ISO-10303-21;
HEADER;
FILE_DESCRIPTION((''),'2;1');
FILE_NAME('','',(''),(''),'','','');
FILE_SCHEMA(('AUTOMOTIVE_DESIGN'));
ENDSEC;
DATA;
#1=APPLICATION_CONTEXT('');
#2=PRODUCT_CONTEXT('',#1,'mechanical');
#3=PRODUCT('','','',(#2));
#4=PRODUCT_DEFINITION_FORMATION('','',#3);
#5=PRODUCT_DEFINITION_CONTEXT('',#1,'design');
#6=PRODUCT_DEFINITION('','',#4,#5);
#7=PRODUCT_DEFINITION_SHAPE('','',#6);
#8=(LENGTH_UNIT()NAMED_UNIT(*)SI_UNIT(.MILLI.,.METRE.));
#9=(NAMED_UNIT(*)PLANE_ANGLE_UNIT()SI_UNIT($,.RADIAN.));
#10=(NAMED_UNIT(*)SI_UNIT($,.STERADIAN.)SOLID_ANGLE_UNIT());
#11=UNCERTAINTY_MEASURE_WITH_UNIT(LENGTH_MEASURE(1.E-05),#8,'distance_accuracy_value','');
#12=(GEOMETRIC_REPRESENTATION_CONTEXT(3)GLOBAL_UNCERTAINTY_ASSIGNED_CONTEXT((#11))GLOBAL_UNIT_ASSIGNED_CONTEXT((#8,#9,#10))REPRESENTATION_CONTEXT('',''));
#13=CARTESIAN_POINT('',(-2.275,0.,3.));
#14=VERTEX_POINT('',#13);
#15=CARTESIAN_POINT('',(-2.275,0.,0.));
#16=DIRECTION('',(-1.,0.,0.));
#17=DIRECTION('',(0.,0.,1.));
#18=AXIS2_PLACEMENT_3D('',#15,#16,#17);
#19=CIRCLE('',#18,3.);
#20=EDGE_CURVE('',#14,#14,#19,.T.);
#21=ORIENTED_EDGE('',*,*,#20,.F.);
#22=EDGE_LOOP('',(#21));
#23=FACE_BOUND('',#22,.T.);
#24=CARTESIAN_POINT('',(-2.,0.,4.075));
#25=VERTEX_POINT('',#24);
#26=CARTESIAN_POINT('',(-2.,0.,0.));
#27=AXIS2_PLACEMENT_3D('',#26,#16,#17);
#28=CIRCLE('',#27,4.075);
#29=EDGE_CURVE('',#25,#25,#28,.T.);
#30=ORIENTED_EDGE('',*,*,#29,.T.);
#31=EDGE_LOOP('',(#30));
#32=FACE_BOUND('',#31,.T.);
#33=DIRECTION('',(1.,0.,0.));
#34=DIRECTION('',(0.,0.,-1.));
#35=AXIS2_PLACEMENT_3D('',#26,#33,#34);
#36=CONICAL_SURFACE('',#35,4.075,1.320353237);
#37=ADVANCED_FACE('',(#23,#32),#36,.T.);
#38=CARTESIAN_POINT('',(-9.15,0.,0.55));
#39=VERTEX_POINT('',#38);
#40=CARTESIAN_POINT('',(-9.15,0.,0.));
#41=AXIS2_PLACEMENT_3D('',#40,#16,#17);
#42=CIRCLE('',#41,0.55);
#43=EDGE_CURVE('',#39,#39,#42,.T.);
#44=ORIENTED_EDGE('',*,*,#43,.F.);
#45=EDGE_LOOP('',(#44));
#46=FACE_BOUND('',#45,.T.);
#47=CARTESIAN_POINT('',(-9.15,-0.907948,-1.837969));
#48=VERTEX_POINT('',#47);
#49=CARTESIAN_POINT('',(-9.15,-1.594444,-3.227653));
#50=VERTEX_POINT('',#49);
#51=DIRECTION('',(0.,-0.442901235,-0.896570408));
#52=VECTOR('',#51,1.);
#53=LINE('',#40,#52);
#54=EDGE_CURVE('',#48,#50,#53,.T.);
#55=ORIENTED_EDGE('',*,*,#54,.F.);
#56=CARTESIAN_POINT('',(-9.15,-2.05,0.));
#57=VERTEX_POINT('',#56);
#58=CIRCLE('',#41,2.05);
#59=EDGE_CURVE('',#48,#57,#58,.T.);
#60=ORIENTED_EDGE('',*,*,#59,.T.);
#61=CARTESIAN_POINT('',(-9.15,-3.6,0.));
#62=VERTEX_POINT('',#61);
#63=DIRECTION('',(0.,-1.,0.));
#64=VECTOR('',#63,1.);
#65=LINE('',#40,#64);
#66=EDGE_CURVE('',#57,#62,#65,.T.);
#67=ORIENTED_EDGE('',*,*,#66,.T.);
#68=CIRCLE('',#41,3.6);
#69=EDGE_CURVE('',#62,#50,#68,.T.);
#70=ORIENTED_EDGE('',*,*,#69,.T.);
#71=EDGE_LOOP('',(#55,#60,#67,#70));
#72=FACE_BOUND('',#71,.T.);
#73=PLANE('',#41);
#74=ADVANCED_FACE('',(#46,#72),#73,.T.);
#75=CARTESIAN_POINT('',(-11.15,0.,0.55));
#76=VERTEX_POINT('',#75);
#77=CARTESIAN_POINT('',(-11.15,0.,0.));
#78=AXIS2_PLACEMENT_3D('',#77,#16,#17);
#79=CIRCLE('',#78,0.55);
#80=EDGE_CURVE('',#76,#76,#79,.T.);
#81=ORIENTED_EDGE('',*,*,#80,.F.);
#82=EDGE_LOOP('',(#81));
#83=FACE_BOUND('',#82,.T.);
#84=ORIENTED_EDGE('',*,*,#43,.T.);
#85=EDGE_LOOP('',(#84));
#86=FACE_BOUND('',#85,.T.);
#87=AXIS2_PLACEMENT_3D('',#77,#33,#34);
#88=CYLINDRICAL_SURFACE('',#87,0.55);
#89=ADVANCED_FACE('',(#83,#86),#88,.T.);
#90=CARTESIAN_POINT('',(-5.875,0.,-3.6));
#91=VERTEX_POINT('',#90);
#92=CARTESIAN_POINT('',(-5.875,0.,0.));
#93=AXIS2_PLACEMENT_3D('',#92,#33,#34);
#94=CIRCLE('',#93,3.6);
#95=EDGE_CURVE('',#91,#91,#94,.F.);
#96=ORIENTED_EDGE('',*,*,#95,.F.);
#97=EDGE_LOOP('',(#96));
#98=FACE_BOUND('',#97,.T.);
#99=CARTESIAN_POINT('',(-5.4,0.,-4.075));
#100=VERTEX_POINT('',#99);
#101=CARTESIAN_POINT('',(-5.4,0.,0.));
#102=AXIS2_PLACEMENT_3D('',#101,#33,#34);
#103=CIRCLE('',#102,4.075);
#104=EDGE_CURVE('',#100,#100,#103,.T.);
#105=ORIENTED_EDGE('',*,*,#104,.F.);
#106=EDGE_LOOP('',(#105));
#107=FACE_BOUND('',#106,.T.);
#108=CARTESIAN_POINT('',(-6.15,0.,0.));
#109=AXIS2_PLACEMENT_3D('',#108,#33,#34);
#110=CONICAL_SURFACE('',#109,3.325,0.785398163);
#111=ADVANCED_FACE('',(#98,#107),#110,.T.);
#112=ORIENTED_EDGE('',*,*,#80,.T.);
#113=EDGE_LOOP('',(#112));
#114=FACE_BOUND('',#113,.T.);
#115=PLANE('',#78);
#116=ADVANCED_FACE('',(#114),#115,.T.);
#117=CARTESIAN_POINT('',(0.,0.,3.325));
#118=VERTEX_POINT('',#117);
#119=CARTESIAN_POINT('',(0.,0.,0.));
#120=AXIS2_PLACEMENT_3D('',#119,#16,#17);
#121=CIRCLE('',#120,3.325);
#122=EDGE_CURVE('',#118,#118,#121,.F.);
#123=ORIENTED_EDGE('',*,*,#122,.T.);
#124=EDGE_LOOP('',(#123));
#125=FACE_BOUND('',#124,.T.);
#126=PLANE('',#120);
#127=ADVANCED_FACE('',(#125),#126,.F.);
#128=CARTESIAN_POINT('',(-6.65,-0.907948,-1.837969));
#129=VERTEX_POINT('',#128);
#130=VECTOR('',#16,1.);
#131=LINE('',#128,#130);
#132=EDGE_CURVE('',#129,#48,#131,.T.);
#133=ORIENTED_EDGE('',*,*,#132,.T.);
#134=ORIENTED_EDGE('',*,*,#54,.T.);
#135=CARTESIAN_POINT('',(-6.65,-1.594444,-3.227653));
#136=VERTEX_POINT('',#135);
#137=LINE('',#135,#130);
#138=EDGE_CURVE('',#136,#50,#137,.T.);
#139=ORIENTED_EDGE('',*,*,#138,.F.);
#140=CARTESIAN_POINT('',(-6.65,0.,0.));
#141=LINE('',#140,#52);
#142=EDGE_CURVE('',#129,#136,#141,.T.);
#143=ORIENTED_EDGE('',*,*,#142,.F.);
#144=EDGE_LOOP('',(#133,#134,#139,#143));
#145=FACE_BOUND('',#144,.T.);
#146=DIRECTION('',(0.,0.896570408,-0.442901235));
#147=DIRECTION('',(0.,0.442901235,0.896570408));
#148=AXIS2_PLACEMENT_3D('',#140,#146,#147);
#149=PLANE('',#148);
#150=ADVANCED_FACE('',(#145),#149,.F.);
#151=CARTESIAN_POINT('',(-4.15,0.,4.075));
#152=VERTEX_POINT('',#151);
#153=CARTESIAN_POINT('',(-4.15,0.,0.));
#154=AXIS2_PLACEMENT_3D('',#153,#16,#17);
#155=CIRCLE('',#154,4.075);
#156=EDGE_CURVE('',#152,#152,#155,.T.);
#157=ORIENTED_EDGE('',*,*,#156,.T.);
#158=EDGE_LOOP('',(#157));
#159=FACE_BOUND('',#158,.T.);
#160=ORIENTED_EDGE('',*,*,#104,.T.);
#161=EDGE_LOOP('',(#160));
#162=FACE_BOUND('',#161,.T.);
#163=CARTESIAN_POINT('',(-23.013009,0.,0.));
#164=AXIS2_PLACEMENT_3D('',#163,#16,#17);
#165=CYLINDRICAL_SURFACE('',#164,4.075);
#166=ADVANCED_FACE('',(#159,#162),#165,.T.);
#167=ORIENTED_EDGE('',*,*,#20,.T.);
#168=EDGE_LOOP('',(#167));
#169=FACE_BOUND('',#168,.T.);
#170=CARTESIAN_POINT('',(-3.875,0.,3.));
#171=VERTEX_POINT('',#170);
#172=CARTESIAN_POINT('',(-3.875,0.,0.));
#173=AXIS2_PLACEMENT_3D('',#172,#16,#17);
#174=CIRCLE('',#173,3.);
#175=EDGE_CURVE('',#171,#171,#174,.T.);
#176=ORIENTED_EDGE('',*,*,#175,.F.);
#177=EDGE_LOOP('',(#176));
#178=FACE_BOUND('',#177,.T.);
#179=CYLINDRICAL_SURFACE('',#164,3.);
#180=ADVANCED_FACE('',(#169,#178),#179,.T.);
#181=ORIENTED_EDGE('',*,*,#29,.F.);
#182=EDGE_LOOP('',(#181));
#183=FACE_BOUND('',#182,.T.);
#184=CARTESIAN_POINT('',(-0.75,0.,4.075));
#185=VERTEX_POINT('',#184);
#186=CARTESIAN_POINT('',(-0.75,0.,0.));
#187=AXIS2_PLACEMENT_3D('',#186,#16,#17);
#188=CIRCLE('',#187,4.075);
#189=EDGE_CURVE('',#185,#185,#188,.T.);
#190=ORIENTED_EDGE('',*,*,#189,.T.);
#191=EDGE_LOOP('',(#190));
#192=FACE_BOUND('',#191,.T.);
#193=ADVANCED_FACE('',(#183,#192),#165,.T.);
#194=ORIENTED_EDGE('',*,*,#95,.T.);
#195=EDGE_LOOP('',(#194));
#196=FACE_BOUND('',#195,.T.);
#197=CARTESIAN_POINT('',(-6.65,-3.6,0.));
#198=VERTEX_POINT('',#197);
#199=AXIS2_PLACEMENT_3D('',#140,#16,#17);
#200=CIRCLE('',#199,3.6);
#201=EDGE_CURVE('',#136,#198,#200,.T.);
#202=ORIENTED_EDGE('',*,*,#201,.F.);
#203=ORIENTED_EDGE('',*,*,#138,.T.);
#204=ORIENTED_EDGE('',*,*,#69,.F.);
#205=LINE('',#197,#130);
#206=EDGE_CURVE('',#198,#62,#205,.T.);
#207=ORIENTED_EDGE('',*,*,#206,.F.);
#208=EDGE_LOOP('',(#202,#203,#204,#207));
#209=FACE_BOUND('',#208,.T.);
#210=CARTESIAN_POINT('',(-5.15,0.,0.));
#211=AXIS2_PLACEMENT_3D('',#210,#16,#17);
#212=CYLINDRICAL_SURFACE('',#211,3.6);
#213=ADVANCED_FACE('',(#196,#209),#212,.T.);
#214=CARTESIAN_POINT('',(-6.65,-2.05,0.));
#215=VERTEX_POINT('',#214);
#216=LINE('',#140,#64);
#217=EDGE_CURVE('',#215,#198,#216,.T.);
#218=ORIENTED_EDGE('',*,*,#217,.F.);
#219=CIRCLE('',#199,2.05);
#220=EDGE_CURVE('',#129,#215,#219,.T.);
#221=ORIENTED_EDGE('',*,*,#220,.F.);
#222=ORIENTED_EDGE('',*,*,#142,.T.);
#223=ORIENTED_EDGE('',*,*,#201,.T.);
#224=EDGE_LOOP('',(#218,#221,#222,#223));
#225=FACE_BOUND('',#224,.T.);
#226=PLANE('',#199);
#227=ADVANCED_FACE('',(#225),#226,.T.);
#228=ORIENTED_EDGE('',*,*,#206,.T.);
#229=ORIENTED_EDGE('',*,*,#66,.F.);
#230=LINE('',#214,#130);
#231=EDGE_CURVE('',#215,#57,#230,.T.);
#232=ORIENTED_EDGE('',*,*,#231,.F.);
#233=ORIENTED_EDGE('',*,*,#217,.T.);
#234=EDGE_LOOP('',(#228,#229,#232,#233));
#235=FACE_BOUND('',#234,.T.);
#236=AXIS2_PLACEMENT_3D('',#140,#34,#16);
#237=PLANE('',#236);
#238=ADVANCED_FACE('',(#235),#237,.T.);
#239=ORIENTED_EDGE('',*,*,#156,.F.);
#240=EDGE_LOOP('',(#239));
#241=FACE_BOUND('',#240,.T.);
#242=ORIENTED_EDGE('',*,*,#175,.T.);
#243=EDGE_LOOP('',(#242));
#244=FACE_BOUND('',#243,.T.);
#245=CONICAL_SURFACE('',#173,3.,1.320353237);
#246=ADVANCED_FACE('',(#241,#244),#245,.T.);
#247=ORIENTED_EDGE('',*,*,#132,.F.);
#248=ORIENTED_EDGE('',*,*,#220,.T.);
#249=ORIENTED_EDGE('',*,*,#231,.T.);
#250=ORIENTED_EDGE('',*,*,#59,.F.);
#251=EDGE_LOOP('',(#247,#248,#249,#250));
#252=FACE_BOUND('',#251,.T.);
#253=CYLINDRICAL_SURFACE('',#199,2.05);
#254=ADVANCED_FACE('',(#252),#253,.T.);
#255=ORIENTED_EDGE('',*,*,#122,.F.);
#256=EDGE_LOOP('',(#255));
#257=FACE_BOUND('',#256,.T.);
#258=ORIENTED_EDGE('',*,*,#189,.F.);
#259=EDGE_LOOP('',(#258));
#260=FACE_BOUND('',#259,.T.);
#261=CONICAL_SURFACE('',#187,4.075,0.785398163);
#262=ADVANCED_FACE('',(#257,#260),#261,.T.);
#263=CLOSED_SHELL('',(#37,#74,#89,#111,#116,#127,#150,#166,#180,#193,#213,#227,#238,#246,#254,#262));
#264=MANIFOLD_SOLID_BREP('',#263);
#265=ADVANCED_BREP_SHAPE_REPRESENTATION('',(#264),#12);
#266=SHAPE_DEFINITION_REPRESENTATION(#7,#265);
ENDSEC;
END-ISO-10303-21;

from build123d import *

# Parameters (mm, degrees)
CHAMFER1_SIZE            = 0.75
BOSS_EXTRUDE1_DEPTH      = 3
BOSS_EXTRUDE1_DEPTH_BACK = 1
SKETCH2_R                = 3.6
SKETCH3_R                = 0.55
BOSS_EXTRUDE2_DEPTH      = 2
CUT_EXTRUDE1_DEPTH       = 2.5


with BuildPart() as part:
    # Sketch1 → Revolve1 (revolve)
    with BuildSketch(Plane(origin=(0, 0, 0), x_dir=(1, 0, 0), z_dir=(0, 1, 0)), mode=Mode.PRIVATE) as revolve1_sk:
        Polygon((-4.15, 4.075), (-6.15, 4.075), (-6.15, 0), (0, 0), (0, 4.075), (-2, 4.075), (-2.275, 3), (-3.875, 3), align=None)
    revolve(revolve1_sk.sketch.rotate(Axis((-23.01300908, 0, 0), (1, 0, 0)), 180), axis=Axis((-23.01300908, 0, 0), (1, 0, 0)))

    # Chamfer1
    chamfer1_edges = [part.edges().sort_by_distance(p)[0] for p in [
        (-6.15, 0, -4.075),
        (0, 0, -4.075),
    ]]
    chamfer(chamfer1_edges, length=CHAMFER1_SIZE)

    # Sketch2 → Boss-Extrude1 (add, two sides: drawn at the far end of the back side and taken through both)
    with BuildSketch(Plane.ZY.offset(6.15).offset(-BOSS_EXTRUDE1_DEPTH_BACK)):
        Circle(SKETCH2_R)
    extrude(amount=BOSS_EXTRUDE1_DEPTH + BOSS_EXTRUDE1_DEPTH_BACK)

    # Sketch3 → Boss-Extrude2 (add)
    with BuildSketch(Plane.ZY.offset(9.15)):
        Circle(SKETCH3_R)
    extrude(amount=BOSS_EXTRUDE2_DEPTH)

    # Sketch4 → Cut-Extrude1 (cut)
    with BuildSketch(Plane.ZY.offset(9.15)):
        with BuildLine():
            Line((0, -3.6), (0, -2.05))
            ThreePointArc((0, -2.05), (-1.081944444, -1.741234108), (-1.837969336, -0.907947531))
            Line((-1.837969336, -0.907947531), (-3.227653469, -1.594444444))
            ThreePointArc((-3.227653469, -1.594444444), (-1.9, -3.05777697), (0, -3.6))
        make_face()
    extrude(amount=-CUT_EXTRUDE1_DEPTH, mode=Mode.SUBTRACT)


solid = part.part
